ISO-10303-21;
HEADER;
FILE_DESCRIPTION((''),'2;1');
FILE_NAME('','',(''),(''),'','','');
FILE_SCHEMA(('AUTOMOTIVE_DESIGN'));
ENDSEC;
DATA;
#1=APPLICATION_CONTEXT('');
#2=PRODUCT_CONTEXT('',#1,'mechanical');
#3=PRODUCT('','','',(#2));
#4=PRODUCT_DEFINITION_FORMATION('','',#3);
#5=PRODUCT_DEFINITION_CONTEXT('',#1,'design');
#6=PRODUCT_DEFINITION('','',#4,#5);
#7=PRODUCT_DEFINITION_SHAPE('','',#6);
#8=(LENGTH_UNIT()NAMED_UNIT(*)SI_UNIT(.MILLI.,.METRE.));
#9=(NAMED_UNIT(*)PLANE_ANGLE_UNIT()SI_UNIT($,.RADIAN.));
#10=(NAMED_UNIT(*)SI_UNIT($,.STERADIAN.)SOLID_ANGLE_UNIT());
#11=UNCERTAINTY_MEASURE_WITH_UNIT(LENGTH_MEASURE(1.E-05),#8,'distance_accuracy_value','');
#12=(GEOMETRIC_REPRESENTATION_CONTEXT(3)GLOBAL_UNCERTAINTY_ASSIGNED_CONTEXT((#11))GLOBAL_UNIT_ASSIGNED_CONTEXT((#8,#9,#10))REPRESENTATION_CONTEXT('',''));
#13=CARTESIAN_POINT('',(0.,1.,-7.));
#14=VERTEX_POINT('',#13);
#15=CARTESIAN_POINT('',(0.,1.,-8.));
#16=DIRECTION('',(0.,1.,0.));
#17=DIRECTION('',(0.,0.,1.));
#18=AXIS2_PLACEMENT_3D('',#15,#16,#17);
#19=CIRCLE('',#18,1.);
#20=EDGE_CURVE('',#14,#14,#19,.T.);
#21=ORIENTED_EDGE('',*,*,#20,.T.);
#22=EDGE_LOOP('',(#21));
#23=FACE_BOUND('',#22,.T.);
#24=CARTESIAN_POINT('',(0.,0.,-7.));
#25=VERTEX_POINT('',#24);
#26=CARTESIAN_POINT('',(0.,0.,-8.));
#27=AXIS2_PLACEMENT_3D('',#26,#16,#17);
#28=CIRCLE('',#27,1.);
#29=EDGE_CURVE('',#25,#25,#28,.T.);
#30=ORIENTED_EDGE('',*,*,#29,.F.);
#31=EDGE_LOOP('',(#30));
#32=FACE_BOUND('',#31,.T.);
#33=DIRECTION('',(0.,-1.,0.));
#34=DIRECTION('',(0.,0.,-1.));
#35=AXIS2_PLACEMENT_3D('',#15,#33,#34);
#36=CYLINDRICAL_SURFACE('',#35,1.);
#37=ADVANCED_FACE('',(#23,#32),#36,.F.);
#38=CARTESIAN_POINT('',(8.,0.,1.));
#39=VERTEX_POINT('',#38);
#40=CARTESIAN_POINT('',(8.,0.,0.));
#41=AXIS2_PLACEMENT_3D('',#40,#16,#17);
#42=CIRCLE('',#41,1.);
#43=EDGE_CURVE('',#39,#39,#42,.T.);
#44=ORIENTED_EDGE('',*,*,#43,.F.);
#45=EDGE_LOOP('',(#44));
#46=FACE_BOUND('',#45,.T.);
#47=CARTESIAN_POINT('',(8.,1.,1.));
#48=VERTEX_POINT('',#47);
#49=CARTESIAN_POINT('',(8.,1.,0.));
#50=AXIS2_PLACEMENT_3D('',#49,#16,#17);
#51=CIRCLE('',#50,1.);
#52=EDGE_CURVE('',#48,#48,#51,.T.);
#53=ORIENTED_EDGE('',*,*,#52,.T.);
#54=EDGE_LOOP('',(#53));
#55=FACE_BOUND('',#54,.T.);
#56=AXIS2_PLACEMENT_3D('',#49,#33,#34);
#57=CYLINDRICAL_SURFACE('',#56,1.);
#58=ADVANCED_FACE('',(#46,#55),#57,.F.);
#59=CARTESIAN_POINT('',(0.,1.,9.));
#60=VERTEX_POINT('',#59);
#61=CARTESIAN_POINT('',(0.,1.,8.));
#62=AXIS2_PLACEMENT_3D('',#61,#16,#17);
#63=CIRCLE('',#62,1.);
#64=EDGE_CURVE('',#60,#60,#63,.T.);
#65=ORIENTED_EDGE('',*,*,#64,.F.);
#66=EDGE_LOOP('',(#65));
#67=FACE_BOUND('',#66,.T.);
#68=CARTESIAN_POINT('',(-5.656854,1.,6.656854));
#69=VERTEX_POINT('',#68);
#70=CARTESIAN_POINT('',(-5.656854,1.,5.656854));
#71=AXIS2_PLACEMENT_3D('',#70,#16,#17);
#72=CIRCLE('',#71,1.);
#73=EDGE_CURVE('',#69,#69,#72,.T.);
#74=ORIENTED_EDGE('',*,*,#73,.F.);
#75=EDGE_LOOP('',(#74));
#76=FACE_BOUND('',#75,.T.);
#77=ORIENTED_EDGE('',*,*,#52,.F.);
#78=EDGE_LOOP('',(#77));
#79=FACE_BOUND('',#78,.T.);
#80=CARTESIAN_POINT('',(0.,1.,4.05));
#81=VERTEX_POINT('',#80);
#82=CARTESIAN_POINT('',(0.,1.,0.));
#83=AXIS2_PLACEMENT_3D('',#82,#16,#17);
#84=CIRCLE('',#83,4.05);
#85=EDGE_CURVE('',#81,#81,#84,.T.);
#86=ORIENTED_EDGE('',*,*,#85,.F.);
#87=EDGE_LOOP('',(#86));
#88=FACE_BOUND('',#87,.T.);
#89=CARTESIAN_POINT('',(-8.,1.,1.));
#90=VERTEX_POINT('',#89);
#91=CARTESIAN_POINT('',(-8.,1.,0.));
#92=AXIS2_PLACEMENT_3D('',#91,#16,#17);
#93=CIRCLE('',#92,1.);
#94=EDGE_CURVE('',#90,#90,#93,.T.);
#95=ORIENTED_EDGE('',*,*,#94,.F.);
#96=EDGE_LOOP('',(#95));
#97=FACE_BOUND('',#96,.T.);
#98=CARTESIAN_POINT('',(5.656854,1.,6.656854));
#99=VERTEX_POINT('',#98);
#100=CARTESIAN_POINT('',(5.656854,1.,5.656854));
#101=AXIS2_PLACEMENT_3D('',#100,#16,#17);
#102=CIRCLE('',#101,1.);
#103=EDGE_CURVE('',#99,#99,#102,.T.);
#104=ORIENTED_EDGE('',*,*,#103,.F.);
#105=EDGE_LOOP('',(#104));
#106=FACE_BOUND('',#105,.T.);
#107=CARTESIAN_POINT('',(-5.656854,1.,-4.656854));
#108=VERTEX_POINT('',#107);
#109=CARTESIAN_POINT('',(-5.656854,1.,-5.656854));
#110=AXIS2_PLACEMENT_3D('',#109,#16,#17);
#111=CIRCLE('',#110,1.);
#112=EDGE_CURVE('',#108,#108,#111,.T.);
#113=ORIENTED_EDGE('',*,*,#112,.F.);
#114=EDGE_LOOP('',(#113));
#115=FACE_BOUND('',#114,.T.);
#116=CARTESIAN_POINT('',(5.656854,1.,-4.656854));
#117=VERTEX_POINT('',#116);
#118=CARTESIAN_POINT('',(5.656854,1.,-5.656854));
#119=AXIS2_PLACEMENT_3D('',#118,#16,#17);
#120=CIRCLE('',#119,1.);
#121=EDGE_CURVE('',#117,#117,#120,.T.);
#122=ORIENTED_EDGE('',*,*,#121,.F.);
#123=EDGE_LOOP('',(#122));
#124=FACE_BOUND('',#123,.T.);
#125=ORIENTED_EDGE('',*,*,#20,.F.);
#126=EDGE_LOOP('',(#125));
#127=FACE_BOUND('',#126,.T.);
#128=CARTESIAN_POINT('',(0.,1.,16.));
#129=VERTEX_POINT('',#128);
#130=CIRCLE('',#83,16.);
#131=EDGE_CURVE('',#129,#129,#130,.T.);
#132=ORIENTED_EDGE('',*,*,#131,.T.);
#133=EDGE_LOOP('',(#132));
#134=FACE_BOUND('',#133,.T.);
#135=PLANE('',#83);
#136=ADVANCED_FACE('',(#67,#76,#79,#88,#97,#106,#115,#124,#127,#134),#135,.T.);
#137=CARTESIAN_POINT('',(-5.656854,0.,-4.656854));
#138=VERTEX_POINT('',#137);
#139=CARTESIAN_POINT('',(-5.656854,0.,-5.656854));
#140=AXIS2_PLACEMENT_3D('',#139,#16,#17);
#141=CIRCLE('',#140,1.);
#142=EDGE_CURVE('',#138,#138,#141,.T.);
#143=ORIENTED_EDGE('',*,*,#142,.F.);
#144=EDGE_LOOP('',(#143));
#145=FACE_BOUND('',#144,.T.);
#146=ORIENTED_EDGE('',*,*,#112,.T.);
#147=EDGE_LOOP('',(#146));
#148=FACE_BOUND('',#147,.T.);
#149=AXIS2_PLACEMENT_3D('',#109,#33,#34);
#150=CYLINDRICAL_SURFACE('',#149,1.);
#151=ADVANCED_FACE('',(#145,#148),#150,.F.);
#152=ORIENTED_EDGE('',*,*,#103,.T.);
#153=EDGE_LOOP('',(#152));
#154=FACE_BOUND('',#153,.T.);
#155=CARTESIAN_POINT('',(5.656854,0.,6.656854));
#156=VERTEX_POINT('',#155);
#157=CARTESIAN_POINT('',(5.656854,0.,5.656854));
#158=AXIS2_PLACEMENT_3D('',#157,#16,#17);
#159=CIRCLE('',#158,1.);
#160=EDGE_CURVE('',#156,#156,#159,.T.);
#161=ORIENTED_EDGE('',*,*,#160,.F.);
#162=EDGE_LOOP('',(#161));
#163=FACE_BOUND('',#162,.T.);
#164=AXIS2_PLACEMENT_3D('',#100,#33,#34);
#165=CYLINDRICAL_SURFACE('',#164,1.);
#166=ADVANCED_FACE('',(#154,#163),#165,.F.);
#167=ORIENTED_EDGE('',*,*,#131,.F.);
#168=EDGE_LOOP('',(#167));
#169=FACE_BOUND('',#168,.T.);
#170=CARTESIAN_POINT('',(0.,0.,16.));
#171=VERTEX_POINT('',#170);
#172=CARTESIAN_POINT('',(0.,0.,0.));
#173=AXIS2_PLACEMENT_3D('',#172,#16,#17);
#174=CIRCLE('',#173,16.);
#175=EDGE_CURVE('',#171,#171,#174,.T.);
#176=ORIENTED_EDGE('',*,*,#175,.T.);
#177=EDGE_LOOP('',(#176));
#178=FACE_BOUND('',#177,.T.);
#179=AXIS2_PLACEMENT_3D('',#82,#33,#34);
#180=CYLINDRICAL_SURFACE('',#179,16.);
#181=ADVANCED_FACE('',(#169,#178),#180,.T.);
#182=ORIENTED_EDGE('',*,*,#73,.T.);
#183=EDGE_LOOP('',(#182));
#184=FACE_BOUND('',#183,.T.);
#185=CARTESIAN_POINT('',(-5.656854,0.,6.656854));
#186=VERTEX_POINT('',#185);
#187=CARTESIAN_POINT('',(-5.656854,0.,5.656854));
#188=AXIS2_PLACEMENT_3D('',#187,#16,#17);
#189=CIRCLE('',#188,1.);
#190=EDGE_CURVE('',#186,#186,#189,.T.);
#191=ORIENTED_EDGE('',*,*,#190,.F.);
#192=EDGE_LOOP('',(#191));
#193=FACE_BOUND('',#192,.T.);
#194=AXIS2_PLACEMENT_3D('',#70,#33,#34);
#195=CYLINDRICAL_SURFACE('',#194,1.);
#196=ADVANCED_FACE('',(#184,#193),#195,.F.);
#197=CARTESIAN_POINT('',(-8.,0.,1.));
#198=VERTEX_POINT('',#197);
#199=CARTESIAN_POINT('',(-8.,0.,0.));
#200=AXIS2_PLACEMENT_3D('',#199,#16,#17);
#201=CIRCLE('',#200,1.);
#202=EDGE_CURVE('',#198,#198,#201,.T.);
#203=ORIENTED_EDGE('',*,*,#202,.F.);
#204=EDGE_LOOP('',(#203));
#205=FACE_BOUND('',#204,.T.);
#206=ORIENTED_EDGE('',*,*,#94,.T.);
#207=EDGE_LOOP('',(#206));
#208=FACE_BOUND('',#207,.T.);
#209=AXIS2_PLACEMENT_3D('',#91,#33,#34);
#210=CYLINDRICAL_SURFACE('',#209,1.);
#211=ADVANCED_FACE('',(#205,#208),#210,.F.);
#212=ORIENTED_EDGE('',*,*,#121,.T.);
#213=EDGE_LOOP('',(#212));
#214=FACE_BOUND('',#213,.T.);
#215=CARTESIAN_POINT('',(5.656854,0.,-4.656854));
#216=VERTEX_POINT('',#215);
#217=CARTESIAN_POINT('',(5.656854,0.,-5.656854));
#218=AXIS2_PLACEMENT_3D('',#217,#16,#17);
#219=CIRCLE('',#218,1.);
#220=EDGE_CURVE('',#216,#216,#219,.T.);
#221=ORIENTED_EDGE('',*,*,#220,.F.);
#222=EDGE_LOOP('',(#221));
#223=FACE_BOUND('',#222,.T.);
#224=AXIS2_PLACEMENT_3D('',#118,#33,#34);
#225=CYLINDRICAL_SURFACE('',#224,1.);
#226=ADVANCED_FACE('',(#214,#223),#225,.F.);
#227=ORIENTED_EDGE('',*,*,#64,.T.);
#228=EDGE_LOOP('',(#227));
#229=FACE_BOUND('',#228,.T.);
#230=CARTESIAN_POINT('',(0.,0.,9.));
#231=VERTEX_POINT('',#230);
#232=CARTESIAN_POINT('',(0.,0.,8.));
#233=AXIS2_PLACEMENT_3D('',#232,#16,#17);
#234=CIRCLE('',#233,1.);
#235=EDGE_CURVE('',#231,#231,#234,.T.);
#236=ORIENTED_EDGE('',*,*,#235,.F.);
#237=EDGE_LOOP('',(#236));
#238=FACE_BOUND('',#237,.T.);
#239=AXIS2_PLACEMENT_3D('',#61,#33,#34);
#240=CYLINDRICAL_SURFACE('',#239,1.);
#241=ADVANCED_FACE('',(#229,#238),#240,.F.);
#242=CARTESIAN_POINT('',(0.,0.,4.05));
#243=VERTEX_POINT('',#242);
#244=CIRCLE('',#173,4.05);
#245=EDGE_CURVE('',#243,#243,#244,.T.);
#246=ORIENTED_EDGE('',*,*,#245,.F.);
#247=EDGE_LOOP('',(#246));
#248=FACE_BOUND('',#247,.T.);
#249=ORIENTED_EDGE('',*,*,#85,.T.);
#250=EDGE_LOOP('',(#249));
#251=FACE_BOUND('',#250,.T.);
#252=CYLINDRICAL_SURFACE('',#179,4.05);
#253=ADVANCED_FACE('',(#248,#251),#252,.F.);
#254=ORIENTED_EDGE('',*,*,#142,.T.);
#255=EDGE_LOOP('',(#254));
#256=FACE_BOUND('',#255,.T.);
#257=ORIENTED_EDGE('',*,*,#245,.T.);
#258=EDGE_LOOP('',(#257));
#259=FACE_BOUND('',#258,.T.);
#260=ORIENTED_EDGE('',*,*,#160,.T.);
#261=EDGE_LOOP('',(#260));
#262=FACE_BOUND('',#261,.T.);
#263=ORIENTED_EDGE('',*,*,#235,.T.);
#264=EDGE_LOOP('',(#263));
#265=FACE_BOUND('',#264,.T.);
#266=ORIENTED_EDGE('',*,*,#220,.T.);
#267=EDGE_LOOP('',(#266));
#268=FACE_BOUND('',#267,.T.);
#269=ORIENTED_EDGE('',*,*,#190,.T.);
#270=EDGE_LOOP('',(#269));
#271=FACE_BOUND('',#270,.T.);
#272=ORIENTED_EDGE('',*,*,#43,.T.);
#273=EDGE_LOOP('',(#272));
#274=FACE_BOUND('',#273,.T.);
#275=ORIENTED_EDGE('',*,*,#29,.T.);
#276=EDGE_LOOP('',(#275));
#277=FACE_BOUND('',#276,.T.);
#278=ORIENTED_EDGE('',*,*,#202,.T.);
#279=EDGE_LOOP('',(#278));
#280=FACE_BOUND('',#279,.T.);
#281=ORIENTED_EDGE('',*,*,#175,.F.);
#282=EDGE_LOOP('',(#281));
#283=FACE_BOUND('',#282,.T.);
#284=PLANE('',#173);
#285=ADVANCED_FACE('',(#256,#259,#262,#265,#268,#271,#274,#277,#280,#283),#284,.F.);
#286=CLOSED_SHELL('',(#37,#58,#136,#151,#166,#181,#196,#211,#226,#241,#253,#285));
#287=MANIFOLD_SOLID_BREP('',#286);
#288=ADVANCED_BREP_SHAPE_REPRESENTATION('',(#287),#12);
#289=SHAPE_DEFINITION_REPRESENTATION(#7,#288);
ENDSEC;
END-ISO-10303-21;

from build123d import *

# Parameters (mm, degrees)
SKETCH1_R           = 16
SKETCH1_R_2         = 4.05
SKETCH1_R_3         = 1
BOSS_EXTRUDE1_DEPTH = 1


with BuildPart() as part:
    # Sketch1 → Boss-Extrude1 (new body)
    with BuildSketch(Plane(origin=(0, 0, 0), x_dir=(1, 0, 0), z_dir=(0, 1, 0))):
        with Locations(Location((0, 0, 0), (0, 0, 270))):
            Circle(SKETCH1_R)
        with Locations(Location((0, 0, 0), (0, 0, 270))):
            Circle(SKETCH1_R_2, mode=Mode.SUBTRACT)
        with Locations(Location((0, 8, 0), (0, 0, 270))):
            Circle(SKETCH1_R_3, mode=Mode.SUBTRACT)
        with Locations(Location((5.656854249, 5.656854249, 0), (0, 0, 270))):
            Circle(SKETCH1_R_3, mode=Mode.SUBTRACT)
        with Locations(Location((8, 0, 0), (0, 0, 270))):
            Circle(SKETCH1_R_3, mode=Mode.SUBTRACT)
        with Locations(Location((5.656854249, -5.656854249, 0), (0, 0, 270))):
            Circle(SKETCH1_R_3, mode=Mode.SUBTRACT)
        with Locations(Location((0, -8, 0), (0, 0, 270))):
            Circle(SKETCH1_R_3, mode=Mode.SUBTRACT)
        with Locations(Location((-5.656854249, -5.656854249, 0), (0, 0, 270))):
            Circle(SKETCH1_R_3, mode=Mode.SUBTRACT)
        with Locations(Location((-8, 0, 0), (0, 0, 270))):
            Circle(SKETCH1_R_3, mode=Mode.SUBTRACT)
        with Locations(Location((-5.656854249, 5.656854249, 0), (0, 0, 270))):
            Circle(SKETCH1_R_3, mode=Mode.SUBTRACT)
    extrude(amount=BOSS_EXTRUDE1_DEPTH)


solid = part.part
